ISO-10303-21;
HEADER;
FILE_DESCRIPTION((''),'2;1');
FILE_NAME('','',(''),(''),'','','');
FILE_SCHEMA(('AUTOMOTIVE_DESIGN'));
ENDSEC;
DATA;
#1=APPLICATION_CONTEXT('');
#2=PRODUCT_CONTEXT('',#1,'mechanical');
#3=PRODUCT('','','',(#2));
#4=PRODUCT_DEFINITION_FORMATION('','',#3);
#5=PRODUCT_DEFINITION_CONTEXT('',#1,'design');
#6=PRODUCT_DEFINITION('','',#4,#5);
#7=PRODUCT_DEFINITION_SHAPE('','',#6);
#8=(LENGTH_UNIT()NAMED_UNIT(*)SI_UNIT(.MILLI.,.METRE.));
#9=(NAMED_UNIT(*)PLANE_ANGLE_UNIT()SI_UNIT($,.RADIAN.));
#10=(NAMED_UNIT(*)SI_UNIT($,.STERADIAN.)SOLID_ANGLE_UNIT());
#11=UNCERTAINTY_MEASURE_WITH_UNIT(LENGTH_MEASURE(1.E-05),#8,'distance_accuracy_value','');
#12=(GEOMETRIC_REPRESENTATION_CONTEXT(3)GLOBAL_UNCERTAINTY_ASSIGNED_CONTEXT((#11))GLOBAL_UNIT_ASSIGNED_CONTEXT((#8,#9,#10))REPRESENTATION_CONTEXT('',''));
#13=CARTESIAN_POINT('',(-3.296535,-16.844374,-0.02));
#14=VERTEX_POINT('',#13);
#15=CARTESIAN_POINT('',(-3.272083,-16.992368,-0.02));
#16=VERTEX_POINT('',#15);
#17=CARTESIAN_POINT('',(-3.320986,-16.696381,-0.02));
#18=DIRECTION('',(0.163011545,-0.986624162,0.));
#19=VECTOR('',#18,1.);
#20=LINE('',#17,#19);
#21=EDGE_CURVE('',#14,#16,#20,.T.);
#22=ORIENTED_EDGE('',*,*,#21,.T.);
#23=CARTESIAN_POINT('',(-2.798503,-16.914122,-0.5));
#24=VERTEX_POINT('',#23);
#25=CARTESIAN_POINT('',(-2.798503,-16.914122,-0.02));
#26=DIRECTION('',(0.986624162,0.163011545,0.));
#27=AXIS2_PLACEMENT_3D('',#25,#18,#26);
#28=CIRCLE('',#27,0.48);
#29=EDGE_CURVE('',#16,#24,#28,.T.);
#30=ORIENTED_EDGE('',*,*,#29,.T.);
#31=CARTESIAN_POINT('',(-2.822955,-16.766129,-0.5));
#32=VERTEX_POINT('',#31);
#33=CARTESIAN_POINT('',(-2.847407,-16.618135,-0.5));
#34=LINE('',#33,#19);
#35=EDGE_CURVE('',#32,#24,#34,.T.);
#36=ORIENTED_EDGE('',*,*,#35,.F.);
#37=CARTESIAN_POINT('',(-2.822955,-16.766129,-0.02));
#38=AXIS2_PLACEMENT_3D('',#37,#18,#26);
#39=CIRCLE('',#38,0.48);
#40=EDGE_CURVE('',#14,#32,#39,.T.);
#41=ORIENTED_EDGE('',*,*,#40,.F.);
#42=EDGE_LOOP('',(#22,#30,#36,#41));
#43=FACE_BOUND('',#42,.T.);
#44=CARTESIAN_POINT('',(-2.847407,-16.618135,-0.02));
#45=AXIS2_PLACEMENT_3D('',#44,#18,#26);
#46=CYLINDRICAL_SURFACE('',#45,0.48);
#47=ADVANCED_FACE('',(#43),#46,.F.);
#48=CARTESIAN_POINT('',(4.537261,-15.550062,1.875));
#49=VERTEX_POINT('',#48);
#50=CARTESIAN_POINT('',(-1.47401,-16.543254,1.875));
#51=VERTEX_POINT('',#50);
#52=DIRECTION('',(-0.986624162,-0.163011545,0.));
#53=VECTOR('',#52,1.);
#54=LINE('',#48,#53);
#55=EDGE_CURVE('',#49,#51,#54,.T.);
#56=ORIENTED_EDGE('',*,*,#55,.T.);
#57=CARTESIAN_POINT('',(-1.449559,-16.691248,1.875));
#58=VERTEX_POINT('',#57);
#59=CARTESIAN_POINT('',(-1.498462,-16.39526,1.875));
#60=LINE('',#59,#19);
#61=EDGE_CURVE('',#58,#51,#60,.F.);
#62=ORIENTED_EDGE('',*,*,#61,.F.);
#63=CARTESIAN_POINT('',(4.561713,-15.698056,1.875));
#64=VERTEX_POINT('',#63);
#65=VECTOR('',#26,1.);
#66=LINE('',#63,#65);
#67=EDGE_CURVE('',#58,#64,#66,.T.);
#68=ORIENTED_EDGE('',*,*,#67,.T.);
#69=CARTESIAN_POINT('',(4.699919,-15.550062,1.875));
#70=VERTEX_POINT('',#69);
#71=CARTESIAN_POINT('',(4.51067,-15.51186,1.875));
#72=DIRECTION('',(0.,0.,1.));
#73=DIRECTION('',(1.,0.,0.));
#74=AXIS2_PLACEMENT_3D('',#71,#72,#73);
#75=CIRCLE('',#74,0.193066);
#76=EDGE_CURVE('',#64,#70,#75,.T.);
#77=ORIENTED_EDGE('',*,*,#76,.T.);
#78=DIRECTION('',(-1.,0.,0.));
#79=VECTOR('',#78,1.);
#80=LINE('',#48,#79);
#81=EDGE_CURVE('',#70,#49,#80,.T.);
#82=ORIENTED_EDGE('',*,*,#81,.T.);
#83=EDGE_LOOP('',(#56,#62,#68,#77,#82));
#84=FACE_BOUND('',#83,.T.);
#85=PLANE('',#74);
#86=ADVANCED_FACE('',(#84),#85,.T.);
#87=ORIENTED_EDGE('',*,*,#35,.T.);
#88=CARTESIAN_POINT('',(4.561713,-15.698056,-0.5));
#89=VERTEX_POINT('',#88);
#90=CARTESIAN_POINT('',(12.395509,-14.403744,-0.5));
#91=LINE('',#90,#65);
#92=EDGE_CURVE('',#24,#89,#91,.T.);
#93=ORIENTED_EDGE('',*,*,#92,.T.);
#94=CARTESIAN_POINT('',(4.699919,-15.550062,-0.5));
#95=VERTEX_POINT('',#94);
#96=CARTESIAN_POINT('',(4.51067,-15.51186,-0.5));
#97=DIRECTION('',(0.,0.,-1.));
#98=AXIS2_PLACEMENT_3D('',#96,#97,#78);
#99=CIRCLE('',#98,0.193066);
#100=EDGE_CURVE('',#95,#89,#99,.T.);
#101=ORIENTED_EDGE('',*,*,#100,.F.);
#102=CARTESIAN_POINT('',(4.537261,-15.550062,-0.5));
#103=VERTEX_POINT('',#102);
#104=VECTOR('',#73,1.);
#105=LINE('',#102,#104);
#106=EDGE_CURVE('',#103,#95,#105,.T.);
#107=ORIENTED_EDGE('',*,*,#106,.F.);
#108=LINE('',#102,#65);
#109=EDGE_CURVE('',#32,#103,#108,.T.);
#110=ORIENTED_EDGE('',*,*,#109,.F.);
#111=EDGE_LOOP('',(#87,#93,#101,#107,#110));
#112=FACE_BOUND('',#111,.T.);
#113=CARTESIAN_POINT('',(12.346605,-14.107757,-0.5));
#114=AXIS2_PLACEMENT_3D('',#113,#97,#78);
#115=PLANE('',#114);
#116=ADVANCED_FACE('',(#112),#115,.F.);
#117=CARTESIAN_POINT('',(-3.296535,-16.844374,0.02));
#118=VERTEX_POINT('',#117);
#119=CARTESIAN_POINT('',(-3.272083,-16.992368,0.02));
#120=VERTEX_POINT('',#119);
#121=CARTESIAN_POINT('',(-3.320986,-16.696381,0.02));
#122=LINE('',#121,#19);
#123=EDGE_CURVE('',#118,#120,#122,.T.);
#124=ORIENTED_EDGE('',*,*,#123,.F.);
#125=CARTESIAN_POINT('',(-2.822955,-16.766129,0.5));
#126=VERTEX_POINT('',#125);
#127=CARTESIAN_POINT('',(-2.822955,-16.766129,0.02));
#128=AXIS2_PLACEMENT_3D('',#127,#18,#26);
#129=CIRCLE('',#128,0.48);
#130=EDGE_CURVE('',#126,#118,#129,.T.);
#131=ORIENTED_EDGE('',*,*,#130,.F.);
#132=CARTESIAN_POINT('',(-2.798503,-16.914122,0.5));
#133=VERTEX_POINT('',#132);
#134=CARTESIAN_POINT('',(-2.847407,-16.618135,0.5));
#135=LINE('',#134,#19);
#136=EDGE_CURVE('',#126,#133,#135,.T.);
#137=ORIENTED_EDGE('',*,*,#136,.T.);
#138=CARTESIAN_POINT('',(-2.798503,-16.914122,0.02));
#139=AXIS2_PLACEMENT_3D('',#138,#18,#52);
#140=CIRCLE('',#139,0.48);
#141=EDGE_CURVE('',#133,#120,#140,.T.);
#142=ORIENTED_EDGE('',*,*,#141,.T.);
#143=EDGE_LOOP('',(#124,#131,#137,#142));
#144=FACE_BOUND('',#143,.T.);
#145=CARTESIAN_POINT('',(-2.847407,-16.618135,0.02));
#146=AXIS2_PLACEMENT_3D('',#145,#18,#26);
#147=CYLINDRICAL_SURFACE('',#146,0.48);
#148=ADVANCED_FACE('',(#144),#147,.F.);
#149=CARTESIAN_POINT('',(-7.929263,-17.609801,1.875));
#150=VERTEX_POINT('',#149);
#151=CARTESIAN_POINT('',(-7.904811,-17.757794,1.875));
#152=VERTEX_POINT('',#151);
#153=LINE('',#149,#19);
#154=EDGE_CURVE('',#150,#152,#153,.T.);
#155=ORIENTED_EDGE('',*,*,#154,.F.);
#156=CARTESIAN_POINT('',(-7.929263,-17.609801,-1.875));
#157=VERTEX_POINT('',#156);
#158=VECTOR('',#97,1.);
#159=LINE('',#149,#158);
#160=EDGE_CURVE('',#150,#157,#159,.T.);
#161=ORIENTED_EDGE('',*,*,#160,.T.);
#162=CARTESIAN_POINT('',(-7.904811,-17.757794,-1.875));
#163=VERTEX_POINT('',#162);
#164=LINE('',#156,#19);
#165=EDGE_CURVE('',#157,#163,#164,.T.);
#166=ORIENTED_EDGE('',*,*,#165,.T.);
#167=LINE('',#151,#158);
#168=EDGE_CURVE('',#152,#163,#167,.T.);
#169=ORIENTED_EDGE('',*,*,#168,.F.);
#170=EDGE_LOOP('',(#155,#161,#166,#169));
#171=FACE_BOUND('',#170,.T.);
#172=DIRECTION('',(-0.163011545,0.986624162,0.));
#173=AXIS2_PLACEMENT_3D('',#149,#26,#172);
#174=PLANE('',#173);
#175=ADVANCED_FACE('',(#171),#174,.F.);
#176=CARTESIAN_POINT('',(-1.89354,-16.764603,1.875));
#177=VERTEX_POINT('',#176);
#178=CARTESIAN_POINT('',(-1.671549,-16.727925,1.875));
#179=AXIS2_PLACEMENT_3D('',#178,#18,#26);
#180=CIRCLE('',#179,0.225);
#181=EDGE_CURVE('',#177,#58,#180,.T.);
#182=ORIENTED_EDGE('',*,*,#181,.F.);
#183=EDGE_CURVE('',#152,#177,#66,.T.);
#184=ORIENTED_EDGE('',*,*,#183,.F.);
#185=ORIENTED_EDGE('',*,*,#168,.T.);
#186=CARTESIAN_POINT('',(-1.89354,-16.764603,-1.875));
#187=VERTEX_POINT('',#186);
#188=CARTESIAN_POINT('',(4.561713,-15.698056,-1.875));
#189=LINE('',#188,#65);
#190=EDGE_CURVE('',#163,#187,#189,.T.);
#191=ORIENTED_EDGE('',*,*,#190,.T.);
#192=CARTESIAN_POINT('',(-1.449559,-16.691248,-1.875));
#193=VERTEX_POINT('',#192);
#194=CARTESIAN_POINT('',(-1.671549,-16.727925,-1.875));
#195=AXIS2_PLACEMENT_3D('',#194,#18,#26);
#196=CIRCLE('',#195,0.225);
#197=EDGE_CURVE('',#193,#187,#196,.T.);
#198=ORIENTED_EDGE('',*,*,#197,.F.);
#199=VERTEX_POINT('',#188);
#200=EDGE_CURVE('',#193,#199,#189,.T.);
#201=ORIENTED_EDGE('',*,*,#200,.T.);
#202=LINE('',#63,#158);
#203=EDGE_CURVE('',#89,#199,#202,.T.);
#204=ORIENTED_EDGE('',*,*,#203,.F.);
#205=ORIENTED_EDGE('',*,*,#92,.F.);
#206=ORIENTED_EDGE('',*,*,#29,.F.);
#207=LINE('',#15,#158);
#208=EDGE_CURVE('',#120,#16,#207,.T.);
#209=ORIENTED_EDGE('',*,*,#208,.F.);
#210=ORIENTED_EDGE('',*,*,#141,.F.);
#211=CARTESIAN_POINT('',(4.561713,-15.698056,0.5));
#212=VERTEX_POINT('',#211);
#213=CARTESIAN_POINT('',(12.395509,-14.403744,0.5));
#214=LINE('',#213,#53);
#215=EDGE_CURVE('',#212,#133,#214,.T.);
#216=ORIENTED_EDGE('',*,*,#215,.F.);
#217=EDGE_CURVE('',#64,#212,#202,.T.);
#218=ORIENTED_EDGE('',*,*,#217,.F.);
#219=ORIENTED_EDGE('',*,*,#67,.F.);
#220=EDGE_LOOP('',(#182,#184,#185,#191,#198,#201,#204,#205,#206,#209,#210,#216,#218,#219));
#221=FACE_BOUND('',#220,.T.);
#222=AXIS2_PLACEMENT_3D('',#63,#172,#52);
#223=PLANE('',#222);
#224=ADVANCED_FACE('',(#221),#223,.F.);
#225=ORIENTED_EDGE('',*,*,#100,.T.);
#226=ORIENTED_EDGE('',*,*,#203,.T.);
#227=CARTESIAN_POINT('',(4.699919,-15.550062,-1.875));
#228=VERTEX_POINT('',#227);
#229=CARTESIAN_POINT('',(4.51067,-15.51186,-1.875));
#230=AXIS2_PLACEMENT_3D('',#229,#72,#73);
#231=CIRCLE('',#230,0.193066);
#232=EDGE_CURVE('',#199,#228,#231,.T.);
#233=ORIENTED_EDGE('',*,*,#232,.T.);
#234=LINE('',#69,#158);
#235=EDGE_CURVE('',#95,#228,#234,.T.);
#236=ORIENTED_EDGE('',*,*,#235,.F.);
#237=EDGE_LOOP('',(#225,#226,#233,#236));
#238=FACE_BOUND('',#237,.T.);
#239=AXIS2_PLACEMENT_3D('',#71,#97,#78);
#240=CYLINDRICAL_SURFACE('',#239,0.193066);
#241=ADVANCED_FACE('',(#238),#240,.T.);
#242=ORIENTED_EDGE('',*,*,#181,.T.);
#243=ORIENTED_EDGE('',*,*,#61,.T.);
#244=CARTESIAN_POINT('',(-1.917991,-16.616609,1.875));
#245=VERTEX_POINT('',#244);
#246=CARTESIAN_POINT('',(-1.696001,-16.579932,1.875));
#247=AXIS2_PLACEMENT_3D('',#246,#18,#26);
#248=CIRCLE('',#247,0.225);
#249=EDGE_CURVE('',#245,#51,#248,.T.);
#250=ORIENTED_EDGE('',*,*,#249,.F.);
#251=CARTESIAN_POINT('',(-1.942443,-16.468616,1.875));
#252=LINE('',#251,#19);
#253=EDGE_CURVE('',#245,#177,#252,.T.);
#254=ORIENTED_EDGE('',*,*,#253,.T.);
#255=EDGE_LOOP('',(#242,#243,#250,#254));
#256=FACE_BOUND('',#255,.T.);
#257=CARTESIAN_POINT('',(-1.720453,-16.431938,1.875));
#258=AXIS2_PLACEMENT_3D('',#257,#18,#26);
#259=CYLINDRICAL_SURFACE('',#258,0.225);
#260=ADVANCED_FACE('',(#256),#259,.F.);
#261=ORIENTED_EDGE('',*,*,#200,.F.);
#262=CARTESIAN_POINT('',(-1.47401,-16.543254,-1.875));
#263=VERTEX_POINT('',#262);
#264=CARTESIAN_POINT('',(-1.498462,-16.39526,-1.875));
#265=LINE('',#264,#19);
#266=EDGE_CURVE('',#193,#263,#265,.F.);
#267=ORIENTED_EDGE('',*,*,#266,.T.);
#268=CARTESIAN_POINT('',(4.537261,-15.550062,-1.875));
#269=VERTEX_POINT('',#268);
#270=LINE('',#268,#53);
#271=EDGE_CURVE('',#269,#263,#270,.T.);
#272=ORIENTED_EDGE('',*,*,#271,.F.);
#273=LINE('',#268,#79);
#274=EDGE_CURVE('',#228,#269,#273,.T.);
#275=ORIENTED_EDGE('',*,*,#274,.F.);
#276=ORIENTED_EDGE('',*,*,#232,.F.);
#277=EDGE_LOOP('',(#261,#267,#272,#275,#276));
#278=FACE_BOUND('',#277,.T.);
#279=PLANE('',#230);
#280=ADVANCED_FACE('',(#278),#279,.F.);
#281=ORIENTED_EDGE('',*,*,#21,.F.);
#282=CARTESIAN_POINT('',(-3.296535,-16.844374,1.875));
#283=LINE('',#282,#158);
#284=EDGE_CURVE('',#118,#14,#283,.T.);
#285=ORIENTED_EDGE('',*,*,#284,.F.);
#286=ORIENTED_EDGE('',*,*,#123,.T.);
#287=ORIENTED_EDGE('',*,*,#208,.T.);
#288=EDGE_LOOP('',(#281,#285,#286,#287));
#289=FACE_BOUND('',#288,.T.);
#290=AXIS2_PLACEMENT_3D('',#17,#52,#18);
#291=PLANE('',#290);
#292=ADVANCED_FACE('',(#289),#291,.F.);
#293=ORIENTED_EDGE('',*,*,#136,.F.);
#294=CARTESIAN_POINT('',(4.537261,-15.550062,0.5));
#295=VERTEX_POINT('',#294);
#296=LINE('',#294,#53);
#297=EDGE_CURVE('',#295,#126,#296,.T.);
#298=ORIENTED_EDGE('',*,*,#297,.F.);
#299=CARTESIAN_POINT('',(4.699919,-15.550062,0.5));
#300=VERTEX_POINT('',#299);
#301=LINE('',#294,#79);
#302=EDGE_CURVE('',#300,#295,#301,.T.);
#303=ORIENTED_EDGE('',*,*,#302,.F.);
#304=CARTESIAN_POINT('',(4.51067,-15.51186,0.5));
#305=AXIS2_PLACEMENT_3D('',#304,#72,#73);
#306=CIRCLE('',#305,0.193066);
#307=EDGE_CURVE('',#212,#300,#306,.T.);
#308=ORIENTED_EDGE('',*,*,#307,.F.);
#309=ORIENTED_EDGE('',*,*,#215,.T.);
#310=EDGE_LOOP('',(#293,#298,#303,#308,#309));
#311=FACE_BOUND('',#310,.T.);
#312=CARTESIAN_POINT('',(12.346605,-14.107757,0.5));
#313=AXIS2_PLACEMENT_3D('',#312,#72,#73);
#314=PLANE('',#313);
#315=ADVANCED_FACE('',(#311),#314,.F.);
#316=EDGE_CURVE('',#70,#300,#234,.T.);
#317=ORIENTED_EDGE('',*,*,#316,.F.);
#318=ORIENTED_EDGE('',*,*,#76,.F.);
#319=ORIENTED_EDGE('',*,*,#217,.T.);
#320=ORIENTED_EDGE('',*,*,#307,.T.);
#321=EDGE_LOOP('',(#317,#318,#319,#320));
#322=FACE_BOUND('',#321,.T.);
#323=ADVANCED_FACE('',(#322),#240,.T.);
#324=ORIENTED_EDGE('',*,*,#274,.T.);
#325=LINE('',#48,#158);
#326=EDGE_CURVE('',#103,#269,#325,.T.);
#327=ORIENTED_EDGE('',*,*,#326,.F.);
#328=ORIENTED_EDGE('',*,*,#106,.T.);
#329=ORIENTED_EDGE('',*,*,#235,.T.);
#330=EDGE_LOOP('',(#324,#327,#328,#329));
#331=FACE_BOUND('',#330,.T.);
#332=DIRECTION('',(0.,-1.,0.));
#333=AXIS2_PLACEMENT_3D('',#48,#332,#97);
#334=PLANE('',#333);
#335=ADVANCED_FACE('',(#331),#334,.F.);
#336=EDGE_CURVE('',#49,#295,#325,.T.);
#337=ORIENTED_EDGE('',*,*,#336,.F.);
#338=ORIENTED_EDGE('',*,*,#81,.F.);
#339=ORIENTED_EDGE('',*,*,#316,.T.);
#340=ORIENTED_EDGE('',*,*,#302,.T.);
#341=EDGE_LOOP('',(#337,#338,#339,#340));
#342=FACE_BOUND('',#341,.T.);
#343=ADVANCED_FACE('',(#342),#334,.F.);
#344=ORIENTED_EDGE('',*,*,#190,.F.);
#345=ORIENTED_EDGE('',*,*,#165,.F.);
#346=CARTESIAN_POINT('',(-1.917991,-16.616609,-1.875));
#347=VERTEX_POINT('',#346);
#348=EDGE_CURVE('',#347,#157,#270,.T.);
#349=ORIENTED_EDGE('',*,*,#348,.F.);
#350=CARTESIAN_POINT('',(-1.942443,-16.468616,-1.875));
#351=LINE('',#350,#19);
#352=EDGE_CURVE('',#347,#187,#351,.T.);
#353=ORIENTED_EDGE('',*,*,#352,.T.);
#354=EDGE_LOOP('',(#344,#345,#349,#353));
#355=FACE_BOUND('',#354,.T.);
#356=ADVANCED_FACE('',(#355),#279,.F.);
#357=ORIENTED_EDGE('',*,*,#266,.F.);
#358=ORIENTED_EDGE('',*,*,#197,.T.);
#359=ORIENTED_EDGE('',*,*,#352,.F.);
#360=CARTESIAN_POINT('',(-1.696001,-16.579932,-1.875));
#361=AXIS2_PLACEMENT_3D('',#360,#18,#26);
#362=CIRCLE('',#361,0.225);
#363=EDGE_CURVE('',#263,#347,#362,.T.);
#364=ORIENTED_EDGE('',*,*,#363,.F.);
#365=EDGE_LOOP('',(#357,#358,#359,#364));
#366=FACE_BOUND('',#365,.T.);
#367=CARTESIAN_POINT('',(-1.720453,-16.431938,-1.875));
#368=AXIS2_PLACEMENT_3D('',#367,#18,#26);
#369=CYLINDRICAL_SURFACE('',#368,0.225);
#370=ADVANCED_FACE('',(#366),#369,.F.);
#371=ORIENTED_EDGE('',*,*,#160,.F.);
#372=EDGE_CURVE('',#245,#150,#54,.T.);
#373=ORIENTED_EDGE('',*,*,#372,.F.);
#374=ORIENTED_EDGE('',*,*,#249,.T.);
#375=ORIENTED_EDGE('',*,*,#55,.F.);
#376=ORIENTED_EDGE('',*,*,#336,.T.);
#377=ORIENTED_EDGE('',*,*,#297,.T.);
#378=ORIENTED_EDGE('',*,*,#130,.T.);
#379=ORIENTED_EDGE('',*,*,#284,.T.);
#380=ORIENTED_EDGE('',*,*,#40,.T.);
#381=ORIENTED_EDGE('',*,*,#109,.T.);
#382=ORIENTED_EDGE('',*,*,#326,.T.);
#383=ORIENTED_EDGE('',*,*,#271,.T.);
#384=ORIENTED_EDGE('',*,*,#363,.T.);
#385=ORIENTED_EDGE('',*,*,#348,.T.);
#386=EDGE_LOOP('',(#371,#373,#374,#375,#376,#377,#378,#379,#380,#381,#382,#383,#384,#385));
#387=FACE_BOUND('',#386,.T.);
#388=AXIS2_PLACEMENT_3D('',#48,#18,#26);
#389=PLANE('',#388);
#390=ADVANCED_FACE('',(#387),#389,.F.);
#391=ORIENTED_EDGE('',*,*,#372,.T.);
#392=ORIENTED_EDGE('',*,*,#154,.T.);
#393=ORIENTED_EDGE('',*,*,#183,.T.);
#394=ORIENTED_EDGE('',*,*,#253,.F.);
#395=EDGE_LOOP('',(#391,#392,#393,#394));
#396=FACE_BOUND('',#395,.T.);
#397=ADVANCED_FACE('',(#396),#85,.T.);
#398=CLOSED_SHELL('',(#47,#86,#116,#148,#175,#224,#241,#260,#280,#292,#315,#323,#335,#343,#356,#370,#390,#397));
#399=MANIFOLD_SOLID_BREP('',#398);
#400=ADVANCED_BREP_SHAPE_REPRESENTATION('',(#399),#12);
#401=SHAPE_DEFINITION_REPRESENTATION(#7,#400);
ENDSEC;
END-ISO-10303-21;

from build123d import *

# Parameters (mm, degrees)
SALIENTE_EXTRUIR1_DEPTH = 1.875
CROQUIS2_R              = 0.225
CORTAR_EXTRUIR1_DEPTH   = 0.3


with BuildPart() as part:
    # Croquis1 → Saliente-Extruir1 (new, symmetric)
    with BuildSketch(Plane.XY):
        with BuildLine():
            Line((4.537261216, -15.5500625), (-7.929262831, -17.609800574))
            Line((-7.929262831, -17.609800574), (-7.9048111, -17.757794198))
            Line((-7.9048111, -17.757794198), (4.561712947, -15.698056124))
            ThreePointArc((4.561712947, -15.698056124), (4.651774684, -15.643632038), (4.699918625, -15.5500625))
            Line((4.699918625, -15.5500625), (4.537261216, -15.5500625))
        make_face()
    extrude(amount=SALIENTE_EXTRUIR1_DEPTH, both=True)

    # Croquis2 → Cortar-Extruir1 (cut)
    with BuildSketch(Plane(origin=(2.645953415, -16.01458083, 0), x_dir=(0.9866241615125322, 0.16301154535704834, 0), z_dir=(0.16301154535704834, -0.9866241615125322, 0))):
        with Locations((-4.376035637, 1.875)):
            Circle(CROQUIS2_R)
        with Locations((-4.376035637, -1.875)):
            Circle(CROQUIS2_R)
        with BuildLine():
            Line((9.881731824, -0.5), (-5.518268176, -0.5))
            ThreePointArc((-5.518268176, -0.5), (-5.857679431, -0.359411255), (-5.998268176, -0.02))
            Line((-5.998268176, -0.02), (-5.998268176, 0.02))
            ThreePointArc((-5.998268176, 0.02), (-5.857679431, 0.359411255), (-5.518268176, 0.5))
            Line((-5.518268176, 0.5), (9.881731824, 0.5))
            Line((9.881731824, 0.5), (9.881731824, -0.5))
        make_face()
    extrude(amount=-CORTAR_EXTRUIR1_DEPTH, mode=Mode.SUBTRACT)


solid = part.part
